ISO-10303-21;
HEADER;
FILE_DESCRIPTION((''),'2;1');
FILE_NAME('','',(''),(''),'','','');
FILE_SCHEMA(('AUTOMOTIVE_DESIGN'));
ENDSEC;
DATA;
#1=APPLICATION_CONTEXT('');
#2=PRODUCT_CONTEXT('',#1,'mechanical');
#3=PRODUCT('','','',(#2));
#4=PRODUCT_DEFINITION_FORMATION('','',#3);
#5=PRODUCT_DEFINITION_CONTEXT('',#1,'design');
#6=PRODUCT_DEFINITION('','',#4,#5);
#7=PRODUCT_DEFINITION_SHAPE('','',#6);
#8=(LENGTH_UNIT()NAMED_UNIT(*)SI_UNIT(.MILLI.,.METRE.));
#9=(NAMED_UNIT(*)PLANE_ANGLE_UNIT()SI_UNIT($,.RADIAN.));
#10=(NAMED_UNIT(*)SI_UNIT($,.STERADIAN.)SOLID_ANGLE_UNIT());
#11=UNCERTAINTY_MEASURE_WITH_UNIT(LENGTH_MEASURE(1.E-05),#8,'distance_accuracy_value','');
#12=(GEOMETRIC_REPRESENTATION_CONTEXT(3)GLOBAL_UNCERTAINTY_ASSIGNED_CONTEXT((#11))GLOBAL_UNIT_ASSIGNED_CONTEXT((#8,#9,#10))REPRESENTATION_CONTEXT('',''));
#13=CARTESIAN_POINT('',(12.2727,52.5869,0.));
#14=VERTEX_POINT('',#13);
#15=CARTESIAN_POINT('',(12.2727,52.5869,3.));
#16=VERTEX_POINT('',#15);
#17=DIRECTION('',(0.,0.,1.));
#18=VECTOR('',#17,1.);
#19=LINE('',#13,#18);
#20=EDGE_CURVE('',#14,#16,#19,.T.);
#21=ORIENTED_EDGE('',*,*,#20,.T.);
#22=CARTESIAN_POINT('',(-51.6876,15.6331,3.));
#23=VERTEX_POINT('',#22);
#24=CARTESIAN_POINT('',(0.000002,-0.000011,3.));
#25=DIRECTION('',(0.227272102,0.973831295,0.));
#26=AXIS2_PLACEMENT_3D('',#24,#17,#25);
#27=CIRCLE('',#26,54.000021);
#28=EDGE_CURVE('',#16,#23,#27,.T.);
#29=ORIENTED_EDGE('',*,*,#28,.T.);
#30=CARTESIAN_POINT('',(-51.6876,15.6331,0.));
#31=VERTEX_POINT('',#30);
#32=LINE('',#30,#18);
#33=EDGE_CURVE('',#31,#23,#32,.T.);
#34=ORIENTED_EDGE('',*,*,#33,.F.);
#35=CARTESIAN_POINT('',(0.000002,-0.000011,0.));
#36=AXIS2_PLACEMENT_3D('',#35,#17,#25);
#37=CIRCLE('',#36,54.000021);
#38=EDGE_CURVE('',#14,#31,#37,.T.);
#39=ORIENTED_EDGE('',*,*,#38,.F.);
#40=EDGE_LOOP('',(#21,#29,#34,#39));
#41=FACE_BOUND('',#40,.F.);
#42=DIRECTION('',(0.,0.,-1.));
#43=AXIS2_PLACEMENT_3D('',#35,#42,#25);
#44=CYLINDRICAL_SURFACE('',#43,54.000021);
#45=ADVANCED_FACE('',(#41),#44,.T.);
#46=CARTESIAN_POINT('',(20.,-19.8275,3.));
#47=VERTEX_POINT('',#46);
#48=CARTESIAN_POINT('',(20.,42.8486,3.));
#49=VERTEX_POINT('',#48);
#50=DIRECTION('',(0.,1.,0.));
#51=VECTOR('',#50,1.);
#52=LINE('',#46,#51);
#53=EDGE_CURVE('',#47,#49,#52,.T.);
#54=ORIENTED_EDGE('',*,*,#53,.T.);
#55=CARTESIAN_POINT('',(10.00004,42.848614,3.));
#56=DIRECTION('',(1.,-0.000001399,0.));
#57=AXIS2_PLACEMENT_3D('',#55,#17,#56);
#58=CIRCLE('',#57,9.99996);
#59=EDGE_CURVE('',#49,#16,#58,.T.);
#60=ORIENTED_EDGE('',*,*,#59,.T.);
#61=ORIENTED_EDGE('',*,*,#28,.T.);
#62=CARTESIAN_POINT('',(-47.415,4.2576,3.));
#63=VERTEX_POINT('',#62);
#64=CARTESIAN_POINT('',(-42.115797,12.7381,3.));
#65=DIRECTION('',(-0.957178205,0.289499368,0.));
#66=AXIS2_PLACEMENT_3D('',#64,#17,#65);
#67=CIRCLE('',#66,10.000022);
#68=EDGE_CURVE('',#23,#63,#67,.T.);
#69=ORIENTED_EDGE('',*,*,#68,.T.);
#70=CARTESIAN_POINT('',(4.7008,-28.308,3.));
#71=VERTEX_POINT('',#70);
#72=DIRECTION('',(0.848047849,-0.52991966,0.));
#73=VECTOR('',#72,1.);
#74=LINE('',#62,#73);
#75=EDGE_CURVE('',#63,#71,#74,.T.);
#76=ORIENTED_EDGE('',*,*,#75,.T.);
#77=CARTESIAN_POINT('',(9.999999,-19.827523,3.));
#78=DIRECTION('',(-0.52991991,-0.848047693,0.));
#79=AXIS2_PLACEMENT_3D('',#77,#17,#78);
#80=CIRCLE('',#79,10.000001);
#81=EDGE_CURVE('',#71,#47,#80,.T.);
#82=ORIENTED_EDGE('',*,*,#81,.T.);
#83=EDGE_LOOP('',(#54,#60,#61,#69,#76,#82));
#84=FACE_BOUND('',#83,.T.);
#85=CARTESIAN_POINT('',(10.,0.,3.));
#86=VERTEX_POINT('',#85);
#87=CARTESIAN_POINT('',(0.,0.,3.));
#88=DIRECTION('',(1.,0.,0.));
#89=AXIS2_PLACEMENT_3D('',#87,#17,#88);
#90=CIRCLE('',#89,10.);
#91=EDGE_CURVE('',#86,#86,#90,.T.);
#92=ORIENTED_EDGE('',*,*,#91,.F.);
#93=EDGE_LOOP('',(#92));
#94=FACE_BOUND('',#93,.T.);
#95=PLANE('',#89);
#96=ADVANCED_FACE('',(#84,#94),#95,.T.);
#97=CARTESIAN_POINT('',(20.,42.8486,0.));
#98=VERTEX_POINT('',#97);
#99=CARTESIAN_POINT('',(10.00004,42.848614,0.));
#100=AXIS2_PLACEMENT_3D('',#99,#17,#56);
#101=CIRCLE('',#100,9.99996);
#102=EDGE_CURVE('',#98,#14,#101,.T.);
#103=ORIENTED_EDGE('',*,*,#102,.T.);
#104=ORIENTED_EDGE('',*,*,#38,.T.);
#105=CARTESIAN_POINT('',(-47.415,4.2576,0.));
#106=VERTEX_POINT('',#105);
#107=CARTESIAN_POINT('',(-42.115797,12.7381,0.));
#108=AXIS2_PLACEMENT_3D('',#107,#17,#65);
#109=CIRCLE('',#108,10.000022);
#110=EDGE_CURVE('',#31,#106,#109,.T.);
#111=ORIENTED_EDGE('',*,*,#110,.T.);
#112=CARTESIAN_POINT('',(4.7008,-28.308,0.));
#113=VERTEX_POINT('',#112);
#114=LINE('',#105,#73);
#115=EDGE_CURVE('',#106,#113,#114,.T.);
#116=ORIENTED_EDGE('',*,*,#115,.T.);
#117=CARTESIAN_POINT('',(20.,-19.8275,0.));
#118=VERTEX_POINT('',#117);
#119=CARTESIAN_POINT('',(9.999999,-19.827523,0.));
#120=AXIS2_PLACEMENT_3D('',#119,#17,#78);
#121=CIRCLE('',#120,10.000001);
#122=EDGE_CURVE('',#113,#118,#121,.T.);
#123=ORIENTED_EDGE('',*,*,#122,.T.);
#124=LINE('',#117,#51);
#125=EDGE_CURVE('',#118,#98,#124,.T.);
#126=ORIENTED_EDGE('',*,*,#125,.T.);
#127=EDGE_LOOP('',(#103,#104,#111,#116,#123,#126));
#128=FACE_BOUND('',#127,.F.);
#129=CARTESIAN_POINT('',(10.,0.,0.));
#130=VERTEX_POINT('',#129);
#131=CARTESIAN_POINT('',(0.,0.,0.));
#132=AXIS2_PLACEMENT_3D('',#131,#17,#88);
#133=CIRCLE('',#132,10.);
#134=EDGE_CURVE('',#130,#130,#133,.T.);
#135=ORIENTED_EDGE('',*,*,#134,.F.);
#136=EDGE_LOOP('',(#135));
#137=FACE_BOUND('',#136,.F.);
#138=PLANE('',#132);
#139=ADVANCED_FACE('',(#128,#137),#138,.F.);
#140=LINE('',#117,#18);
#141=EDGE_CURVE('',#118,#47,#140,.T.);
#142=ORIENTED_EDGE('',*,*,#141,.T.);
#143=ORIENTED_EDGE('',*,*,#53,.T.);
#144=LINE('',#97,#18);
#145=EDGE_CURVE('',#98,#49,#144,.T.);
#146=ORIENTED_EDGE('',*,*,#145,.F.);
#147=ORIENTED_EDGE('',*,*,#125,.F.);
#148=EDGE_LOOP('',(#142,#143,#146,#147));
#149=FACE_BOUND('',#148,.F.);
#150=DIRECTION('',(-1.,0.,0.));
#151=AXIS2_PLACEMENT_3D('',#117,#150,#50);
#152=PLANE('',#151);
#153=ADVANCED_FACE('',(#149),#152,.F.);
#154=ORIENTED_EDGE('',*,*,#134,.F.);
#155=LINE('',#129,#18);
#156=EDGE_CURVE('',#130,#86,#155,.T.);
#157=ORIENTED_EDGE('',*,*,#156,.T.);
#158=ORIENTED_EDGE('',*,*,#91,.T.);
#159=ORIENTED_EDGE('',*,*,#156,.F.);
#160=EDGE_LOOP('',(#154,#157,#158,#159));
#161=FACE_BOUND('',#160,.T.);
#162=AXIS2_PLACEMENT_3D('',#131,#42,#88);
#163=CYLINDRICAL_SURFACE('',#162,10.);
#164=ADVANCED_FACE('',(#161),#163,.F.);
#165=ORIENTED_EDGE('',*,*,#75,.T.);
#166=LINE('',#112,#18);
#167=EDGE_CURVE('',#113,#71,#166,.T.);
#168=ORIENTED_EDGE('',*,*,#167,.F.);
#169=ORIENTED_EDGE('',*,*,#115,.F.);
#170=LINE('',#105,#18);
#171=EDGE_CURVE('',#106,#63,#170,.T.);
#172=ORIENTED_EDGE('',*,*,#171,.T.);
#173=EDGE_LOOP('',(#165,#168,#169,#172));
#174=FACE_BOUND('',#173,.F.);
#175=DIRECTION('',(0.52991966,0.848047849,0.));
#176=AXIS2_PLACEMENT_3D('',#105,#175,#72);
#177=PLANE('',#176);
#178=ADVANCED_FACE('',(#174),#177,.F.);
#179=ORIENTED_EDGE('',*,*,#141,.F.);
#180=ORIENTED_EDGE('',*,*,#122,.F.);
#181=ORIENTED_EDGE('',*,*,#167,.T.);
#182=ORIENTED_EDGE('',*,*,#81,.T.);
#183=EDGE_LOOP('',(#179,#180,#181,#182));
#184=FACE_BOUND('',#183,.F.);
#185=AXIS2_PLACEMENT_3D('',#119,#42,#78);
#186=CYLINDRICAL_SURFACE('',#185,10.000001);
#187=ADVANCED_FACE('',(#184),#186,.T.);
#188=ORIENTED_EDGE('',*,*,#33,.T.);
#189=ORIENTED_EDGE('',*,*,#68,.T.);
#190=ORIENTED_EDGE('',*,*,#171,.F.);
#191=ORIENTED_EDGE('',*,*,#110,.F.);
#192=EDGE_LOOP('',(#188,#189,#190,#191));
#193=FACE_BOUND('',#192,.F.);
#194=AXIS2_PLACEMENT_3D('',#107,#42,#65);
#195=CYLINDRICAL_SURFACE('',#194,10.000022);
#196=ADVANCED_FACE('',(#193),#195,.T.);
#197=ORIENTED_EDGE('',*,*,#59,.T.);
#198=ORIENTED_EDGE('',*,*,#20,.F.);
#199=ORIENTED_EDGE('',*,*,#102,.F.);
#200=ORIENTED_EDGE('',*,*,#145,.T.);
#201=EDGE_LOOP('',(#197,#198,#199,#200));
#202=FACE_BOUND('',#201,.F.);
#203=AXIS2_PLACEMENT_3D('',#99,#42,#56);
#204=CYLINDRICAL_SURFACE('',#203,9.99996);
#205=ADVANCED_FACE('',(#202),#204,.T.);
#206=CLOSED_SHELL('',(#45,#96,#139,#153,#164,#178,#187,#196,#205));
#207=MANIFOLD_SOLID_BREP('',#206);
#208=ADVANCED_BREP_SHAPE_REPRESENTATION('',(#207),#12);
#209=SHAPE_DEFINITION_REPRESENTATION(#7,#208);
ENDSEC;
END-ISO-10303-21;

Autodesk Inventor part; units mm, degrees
ref_plane "YZ Plane" through (0, 0, 0) normal (1, 0, 0) x (0, 1, 0)
ref_plane "XZ Plane" through (0, 0, 0) normal (0, 1, 0) x (-1, 0, 0)
ref_plane "XY Plane" through (0, 0, 0) normal (0, 0, 1) x (1, 0, 0)
sketch "Sketch1" plane through (0, 0, 0) normal (0, 0, 1) x (1, 0, 0)
  line L0 (-47.415, 4.2576) -> (4.7008, -28.308)
  arc A0 (12.2727, 52.5869) -> (-51.6876, 15.6331) centre (0, 0) ccw
  line L1 (20, -19.8275) -> (20, 42.8486)
  arc A1 (-51.6876, 15.6331) -> (-47.415, 4.2576) centre (-42.1158, 12.7381) ccw
  arc A2 (20, 42.8486) -> (12.2727, 52.5869) centre (10, 42.8486) ccw
  arc A3 (4.7008, -28.308) -> (20, -19.8275) centre (10, -19.8275) ccw
  circle A4 centre (0, 0) radius 10
  point P0 (20, 50.1597)
  point P1 (-53.4041, 8)
  point P2 (20, 50.1597)
  point P3 (20, -37.868)
  point P4 (-53.4041, 8)
  dimension "d21" = 8
  dimension "d25" = 54
  dimension "d28" = 58
  dimension "d30" = 20
  dimension "d33" = 21.5155
  dimension "d38" = 10
extrude "Extrusion5" add sketch "Sketch1" along normal blind 3
properties part number "OpenROV 2_3 Dev EndCap Wire Guide Cover"
